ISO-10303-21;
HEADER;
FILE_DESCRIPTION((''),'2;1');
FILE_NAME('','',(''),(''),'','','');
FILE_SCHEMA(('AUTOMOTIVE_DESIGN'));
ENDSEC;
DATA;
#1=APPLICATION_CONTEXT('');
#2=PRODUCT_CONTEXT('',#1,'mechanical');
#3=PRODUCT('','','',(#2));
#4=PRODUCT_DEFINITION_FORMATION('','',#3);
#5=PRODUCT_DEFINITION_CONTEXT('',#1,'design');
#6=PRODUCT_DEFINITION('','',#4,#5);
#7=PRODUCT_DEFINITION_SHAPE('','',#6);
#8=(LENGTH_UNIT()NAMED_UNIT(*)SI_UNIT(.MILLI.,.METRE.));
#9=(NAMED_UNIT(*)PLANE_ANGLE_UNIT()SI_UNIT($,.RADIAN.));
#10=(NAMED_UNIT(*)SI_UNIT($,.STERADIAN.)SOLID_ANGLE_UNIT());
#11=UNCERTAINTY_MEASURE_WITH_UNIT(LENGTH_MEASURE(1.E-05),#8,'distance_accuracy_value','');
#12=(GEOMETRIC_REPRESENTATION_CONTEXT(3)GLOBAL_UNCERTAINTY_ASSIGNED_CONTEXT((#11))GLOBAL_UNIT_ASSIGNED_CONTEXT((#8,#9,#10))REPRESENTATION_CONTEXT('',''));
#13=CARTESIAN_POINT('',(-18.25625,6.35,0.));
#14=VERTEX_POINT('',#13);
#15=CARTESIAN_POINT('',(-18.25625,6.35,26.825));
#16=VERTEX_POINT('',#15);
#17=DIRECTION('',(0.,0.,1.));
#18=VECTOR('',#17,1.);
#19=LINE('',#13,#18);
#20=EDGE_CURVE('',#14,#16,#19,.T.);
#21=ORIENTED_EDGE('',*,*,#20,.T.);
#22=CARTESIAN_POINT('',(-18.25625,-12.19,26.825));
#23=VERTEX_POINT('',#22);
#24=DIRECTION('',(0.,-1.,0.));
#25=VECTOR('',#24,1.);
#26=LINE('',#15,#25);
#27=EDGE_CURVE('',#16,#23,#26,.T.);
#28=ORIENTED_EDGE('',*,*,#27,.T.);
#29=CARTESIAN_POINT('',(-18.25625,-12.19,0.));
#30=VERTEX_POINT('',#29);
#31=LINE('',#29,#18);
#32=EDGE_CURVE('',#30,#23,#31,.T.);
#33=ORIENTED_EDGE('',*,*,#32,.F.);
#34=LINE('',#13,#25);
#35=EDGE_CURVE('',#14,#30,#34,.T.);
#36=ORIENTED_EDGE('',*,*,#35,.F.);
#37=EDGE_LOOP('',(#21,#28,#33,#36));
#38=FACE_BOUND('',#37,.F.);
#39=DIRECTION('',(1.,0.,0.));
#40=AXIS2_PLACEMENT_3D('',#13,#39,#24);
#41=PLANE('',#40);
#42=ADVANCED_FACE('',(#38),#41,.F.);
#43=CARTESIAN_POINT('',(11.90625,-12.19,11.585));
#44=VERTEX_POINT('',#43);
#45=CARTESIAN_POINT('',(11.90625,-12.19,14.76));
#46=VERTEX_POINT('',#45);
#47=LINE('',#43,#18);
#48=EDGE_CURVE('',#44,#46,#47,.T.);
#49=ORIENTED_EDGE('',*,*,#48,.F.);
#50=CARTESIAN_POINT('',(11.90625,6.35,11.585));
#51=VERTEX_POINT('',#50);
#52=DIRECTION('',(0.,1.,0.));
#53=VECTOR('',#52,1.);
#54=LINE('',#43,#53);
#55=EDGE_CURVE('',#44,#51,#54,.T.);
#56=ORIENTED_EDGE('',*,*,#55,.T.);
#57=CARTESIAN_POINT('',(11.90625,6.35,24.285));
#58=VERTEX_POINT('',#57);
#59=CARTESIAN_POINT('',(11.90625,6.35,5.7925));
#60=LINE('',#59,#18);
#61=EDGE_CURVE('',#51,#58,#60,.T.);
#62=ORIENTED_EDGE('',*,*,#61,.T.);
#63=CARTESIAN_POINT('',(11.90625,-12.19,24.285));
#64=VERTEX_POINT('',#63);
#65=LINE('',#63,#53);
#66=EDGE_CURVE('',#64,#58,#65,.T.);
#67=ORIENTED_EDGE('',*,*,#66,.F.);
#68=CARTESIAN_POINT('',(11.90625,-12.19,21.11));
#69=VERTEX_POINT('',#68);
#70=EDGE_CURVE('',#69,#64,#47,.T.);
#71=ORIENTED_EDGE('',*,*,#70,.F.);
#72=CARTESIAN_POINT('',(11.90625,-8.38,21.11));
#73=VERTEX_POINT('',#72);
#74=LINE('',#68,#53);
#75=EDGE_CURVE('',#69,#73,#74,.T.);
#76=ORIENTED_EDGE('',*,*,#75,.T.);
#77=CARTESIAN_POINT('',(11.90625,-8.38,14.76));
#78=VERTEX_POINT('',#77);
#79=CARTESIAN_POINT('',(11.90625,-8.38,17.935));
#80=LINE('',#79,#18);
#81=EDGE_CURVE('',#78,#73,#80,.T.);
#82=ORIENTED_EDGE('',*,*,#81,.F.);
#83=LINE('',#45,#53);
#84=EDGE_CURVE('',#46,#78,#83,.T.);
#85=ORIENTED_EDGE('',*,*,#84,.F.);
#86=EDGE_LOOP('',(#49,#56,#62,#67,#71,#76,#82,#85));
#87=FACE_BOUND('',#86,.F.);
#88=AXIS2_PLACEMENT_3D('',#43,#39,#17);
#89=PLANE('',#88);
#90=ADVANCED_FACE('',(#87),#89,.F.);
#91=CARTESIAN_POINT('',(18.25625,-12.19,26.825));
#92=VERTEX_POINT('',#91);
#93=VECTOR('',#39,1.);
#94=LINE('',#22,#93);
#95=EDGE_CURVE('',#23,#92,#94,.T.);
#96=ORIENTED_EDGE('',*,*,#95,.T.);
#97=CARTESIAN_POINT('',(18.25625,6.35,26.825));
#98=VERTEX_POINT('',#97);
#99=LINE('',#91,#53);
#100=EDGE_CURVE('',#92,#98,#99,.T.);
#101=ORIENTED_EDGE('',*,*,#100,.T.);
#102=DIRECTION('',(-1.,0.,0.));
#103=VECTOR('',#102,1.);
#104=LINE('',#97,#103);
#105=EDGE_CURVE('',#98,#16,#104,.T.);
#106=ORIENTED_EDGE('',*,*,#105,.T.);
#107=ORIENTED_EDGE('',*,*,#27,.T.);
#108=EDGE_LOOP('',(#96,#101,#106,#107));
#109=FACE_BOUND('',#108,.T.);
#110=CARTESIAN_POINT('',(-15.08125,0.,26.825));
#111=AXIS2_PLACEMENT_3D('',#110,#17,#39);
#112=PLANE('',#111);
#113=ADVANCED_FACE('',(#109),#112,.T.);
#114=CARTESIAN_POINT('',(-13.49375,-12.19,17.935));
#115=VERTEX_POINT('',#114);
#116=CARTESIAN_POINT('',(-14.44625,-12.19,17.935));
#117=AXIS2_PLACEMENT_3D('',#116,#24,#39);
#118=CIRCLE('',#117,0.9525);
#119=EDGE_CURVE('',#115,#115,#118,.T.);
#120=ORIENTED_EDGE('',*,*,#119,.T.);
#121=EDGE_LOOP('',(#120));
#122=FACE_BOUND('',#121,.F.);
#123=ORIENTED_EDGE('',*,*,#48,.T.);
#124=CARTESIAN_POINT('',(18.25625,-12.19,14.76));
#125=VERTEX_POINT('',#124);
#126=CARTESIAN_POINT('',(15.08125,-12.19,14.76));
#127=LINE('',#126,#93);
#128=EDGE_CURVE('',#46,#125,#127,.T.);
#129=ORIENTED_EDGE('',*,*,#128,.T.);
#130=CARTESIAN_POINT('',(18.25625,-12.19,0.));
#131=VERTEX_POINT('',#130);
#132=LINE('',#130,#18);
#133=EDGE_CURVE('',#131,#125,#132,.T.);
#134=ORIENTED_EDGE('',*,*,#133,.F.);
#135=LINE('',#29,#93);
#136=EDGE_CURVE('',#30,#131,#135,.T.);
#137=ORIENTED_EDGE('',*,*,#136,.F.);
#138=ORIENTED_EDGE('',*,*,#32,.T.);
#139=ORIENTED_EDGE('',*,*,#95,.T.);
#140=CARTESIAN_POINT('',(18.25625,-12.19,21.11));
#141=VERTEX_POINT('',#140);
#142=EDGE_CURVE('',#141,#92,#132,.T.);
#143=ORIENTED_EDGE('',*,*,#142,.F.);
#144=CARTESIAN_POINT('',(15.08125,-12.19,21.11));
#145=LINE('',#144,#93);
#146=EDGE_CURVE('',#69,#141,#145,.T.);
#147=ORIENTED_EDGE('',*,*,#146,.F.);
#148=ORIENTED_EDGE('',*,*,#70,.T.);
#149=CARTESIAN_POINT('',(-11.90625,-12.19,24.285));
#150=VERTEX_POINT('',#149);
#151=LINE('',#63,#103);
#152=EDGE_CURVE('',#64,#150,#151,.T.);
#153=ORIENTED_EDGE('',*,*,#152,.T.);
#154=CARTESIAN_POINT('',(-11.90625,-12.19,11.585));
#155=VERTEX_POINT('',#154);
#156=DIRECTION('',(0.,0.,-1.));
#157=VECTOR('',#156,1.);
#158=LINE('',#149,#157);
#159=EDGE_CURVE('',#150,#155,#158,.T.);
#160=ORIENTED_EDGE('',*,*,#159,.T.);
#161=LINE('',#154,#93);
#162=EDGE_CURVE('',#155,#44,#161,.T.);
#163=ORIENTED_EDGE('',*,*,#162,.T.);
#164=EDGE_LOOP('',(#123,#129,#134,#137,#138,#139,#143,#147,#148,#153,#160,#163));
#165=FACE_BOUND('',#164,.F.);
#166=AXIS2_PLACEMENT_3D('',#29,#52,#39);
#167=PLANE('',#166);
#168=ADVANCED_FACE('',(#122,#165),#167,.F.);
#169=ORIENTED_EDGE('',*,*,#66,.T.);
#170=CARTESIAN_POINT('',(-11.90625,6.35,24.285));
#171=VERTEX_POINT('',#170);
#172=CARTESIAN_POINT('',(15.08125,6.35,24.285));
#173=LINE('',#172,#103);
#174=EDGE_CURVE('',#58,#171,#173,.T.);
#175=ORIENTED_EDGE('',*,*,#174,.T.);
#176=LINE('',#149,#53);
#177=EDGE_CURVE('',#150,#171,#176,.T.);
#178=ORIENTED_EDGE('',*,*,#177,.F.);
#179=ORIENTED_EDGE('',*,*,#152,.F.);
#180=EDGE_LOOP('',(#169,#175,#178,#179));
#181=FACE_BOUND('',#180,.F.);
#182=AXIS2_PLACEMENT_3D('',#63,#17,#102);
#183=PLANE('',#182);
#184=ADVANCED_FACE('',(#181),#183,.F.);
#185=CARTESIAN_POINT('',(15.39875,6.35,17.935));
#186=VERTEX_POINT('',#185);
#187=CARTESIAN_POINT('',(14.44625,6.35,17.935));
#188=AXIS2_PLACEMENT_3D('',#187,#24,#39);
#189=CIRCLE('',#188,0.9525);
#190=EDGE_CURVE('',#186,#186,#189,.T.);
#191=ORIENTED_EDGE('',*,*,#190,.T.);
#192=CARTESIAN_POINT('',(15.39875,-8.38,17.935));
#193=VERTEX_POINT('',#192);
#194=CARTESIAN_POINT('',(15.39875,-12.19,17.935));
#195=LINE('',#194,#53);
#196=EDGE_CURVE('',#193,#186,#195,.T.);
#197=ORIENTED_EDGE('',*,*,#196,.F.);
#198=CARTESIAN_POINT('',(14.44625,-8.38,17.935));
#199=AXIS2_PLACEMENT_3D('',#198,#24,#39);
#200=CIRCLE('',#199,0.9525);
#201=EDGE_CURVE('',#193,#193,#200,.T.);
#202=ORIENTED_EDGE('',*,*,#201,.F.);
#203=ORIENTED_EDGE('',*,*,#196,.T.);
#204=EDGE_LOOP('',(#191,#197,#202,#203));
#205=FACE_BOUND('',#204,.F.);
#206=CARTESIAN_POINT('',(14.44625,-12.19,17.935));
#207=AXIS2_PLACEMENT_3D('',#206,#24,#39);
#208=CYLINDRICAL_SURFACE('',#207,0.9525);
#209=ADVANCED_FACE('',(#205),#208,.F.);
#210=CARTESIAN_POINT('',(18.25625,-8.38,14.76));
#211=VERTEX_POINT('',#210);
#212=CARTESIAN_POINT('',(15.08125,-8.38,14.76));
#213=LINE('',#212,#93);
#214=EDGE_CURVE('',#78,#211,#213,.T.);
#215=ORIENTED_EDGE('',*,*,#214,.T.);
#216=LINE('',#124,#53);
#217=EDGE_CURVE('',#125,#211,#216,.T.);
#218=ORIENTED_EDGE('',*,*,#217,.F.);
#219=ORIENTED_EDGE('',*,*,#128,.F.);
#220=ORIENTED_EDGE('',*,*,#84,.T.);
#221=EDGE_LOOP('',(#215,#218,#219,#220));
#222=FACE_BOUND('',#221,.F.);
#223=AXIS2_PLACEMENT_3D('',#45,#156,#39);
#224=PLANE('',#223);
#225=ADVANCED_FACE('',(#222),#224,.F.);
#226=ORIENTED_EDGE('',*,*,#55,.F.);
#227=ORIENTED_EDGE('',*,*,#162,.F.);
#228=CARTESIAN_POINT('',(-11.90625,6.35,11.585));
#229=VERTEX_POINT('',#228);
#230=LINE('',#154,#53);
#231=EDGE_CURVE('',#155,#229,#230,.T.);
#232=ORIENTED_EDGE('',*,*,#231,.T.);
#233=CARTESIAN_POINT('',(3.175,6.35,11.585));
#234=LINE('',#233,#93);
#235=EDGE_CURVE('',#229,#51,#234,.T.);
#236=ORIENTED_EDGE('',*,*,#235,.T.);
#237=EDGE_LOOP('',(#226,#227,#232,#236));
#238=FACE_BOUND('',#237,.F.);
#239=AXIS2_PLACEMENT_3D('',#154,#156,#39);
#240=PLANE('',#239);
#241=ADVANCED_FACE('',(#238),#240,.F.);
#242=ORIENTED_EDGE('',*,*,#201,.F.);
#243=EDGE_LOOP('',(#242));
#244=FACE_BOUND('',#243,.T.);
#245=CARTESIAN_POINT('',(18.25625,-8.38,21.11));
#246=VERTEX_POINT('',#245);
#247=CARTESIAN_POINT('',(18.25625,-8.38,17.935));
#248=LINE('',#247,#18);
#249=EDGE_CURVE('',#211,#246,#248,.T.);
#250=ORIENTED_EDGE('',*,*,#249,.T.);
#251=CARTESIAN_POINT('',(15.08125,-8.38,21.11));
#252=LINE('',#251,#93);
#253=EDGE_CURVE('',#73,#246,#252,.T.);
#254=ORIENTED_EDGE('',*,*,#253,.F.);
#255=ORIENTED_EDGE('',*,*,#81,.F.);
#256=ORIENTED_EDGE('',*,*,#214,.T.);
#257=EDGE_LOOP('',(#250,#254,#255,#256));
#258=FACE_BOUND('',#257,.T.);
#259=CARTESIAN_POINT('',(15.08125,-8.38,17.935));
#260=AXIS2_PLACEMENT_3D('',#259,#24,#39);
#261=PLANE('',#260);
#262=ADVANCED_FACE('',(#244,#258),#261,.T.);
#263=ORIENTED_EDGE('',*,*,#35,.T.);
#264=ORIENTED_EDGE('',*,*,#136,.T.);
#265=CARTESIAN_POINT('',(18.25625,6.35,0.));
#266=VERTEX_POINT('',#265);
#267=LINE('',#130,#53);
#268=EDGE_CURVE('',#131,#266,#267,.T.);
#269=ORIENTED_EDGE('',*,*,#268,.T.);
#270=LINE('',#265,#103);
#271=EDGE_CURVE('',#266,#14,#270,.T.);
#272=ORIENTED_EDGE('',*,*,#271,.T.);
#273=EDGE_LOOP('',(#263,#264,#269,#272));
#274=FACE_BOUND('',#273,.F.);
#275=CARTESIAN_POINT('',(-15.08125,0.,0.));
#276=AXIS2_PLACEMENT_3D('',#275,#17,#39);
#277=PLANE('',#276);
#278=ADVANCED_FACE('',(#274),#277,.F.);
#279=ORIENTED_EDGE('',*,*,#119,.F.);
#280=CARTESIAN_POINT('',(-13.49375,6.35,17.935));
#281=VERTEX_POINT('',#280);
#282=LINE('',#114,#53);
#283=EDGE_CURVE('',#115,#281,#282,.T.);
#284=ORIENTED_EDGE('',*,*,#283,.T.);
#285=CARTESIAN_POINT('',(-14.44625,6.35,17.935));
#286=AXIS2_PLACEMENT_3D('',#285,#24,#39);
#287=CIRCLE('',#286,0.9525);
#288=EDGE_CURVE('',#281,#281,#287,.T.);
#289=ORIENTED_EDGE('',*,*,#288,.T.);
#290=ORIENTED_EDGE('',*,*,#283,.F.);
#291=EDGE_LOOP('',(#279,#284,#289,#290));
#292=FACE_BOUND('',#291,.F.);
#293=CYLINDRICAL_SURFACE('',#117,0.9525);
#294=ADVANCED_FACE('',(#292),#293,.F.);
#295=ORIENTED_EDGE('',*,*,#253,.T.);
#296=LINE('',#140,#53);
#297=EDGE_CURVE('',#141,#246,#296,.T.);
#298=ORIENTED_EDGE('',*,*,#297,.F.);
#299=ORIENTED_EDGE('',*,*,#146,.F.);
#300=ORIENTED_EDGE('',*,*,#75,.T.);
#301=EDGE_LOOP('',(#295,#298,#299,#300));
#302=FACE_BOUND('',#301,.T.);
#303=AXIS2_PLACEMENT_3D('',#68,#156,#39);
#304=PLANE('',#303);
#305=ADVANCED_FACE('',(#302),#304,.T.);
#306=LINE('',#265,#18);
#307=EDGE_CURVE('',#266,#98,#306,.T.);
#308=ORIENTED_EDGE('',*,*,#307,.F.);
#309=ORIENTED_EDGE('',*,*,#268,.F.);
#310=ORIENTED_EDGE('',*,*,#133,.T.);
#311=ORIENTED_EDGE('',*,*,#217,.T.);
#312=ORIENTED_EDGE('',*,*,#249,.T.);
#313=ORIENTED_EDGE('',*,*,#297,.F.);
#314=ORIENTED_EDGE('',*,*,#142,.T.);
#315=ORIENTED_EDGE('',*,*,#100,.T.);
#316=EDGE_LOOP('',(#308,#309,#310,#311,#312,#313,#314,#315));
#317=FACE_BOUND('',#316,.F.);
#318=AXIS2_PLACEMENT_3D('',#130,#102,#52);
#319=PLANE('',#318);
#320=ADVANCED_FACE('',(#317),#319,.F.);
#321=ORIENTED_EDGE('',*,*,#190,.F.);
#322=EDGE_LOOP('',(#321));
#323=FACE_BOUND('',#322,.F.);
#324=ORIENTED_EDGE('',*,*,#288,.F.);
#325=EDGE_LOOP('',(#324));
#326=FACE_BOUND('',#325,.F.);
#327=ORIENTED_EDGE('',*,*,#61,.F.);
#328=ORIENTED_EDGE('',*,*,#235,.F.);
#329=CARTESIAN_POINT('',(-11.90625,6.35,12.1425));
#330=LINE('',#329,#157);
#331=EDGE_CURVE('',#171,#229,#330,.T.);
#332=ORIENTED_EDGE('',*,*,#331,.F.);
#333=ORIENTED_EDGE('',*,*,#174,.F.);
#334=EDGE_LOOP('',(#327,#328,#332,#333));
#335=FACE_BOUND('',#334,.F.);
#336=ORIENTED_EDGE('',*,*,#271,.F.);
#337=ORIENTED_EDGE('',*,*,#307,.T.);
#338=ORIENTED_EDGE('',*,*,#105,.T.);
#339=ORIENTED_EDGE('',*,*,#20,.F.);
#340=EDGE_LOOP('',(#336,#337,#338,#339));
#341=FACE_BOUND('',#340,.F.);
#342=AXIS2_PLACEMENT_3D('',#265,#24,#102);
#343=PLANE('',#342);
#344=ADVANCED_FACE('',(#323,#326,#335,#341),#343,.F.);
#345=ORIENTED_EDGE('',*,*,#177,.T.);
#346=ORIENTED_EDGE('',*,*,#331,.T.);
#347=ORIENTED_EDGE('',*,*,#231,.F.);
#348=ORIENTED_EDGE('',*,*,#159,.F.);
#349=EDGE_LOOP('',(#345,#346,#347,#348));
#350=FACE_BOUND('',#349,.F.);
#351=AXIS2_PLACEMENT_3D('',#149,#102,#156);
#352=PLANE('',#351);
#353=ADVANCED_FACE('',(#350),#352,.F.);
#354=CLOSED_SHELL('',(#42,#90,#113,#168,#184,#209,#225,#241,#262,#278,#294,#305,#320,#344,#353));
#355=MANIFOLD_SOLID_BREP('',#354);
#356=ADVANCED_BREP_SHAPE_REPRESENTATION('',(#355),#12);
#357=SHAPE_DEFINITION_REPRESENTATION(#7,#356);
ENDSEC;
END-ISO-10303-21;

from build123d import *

# Parameters (mm, degrees)
F0_W     = 6.35
F0_H     = 12.7
F0_W_2   = 23.8125
F0_H_2   = 2.54
F0_H_3   = 0.76
F1_DEPTH = 26.825
F2_R     = 0.9525
F3_DEPTH = 18.541
F2_W     = 6.35
F2_H     = 6.35
F4_DEPTH = 3.81


with BuildPart() as f1:
    # F0 (on Top) → F1 (new body)
    with BuildSketch(Plane.XY):
        with Locations((-15.08125, 0)):
            Rectangle(F0_W, F0_H)
        Rectangle(F0_W_2, F0_H)
        with Locations((15.08125, 0)):
            Rectangle(F0_W, F0_H)
        with Locations((-15.08125, -7.62)):
            Rectangle(F0_W, F0_H_2)
        with Locations((-15.08125, -9.27)):
            Rectangle(F0_W, F0_H_3)
        Polygon((18.25625, -9.65), (11.90625, -9.65), (-11.90625, -9.65), (-18.25625, -9.65), (-18.25625, -12.19), (18.25625, -12.19), align=None)
        with Locations((0, -7.62)):
            Rectangle(F0_W_2, F0_H_2)
        with Locations((0, -9.27)):
            Rectangle(F0_W_2, F0_H_3)
        with Locations((15.08125, -7.62)):
            Rectangle(F0_W, F0_H_2)
        with Locations((15.08125, -9.27)):
            Rectangle(F0_W, F0_H_3)
    extrude(amount=F1_DEPTH)

    # F2 (on face) → F3 (cut, through all)
    with BuildSketch(Plane.XZ.offset(12.19)):
        Polygon((11.90625, 21.11), (11.90625, 24.285), (8.09625, 24.285), (-8.09625, 24.285), (-11.90625, 24.285), (-11.90625, 11.585), (11.90625, 11.585), (11.90625, 14.76), align=None)
        with Locations((-14.44625, 17.935)):
            Circle(F2_R)
        with Locations((14.44625, 17.935)):
            Circle(F2_R)
    extrude(amount=-F3_DEPTH, mode=Mode.SUBTRACT)

    # F2 (on face) → F4 (cut)
    with BuildSketch(Plane.XZ.offset(12.19)):
        with Locations((15.08125, 17.935)):
            Rectangle(F2_W, F2_H)
        with Locations((14.44625, 17.935)):
            Circle(F2_R, mode=Mode.SUBTRACT)
    extrude(amount=-F4_DEPTH, mode=Mode.SUBTRACT)


solid = f1.part
